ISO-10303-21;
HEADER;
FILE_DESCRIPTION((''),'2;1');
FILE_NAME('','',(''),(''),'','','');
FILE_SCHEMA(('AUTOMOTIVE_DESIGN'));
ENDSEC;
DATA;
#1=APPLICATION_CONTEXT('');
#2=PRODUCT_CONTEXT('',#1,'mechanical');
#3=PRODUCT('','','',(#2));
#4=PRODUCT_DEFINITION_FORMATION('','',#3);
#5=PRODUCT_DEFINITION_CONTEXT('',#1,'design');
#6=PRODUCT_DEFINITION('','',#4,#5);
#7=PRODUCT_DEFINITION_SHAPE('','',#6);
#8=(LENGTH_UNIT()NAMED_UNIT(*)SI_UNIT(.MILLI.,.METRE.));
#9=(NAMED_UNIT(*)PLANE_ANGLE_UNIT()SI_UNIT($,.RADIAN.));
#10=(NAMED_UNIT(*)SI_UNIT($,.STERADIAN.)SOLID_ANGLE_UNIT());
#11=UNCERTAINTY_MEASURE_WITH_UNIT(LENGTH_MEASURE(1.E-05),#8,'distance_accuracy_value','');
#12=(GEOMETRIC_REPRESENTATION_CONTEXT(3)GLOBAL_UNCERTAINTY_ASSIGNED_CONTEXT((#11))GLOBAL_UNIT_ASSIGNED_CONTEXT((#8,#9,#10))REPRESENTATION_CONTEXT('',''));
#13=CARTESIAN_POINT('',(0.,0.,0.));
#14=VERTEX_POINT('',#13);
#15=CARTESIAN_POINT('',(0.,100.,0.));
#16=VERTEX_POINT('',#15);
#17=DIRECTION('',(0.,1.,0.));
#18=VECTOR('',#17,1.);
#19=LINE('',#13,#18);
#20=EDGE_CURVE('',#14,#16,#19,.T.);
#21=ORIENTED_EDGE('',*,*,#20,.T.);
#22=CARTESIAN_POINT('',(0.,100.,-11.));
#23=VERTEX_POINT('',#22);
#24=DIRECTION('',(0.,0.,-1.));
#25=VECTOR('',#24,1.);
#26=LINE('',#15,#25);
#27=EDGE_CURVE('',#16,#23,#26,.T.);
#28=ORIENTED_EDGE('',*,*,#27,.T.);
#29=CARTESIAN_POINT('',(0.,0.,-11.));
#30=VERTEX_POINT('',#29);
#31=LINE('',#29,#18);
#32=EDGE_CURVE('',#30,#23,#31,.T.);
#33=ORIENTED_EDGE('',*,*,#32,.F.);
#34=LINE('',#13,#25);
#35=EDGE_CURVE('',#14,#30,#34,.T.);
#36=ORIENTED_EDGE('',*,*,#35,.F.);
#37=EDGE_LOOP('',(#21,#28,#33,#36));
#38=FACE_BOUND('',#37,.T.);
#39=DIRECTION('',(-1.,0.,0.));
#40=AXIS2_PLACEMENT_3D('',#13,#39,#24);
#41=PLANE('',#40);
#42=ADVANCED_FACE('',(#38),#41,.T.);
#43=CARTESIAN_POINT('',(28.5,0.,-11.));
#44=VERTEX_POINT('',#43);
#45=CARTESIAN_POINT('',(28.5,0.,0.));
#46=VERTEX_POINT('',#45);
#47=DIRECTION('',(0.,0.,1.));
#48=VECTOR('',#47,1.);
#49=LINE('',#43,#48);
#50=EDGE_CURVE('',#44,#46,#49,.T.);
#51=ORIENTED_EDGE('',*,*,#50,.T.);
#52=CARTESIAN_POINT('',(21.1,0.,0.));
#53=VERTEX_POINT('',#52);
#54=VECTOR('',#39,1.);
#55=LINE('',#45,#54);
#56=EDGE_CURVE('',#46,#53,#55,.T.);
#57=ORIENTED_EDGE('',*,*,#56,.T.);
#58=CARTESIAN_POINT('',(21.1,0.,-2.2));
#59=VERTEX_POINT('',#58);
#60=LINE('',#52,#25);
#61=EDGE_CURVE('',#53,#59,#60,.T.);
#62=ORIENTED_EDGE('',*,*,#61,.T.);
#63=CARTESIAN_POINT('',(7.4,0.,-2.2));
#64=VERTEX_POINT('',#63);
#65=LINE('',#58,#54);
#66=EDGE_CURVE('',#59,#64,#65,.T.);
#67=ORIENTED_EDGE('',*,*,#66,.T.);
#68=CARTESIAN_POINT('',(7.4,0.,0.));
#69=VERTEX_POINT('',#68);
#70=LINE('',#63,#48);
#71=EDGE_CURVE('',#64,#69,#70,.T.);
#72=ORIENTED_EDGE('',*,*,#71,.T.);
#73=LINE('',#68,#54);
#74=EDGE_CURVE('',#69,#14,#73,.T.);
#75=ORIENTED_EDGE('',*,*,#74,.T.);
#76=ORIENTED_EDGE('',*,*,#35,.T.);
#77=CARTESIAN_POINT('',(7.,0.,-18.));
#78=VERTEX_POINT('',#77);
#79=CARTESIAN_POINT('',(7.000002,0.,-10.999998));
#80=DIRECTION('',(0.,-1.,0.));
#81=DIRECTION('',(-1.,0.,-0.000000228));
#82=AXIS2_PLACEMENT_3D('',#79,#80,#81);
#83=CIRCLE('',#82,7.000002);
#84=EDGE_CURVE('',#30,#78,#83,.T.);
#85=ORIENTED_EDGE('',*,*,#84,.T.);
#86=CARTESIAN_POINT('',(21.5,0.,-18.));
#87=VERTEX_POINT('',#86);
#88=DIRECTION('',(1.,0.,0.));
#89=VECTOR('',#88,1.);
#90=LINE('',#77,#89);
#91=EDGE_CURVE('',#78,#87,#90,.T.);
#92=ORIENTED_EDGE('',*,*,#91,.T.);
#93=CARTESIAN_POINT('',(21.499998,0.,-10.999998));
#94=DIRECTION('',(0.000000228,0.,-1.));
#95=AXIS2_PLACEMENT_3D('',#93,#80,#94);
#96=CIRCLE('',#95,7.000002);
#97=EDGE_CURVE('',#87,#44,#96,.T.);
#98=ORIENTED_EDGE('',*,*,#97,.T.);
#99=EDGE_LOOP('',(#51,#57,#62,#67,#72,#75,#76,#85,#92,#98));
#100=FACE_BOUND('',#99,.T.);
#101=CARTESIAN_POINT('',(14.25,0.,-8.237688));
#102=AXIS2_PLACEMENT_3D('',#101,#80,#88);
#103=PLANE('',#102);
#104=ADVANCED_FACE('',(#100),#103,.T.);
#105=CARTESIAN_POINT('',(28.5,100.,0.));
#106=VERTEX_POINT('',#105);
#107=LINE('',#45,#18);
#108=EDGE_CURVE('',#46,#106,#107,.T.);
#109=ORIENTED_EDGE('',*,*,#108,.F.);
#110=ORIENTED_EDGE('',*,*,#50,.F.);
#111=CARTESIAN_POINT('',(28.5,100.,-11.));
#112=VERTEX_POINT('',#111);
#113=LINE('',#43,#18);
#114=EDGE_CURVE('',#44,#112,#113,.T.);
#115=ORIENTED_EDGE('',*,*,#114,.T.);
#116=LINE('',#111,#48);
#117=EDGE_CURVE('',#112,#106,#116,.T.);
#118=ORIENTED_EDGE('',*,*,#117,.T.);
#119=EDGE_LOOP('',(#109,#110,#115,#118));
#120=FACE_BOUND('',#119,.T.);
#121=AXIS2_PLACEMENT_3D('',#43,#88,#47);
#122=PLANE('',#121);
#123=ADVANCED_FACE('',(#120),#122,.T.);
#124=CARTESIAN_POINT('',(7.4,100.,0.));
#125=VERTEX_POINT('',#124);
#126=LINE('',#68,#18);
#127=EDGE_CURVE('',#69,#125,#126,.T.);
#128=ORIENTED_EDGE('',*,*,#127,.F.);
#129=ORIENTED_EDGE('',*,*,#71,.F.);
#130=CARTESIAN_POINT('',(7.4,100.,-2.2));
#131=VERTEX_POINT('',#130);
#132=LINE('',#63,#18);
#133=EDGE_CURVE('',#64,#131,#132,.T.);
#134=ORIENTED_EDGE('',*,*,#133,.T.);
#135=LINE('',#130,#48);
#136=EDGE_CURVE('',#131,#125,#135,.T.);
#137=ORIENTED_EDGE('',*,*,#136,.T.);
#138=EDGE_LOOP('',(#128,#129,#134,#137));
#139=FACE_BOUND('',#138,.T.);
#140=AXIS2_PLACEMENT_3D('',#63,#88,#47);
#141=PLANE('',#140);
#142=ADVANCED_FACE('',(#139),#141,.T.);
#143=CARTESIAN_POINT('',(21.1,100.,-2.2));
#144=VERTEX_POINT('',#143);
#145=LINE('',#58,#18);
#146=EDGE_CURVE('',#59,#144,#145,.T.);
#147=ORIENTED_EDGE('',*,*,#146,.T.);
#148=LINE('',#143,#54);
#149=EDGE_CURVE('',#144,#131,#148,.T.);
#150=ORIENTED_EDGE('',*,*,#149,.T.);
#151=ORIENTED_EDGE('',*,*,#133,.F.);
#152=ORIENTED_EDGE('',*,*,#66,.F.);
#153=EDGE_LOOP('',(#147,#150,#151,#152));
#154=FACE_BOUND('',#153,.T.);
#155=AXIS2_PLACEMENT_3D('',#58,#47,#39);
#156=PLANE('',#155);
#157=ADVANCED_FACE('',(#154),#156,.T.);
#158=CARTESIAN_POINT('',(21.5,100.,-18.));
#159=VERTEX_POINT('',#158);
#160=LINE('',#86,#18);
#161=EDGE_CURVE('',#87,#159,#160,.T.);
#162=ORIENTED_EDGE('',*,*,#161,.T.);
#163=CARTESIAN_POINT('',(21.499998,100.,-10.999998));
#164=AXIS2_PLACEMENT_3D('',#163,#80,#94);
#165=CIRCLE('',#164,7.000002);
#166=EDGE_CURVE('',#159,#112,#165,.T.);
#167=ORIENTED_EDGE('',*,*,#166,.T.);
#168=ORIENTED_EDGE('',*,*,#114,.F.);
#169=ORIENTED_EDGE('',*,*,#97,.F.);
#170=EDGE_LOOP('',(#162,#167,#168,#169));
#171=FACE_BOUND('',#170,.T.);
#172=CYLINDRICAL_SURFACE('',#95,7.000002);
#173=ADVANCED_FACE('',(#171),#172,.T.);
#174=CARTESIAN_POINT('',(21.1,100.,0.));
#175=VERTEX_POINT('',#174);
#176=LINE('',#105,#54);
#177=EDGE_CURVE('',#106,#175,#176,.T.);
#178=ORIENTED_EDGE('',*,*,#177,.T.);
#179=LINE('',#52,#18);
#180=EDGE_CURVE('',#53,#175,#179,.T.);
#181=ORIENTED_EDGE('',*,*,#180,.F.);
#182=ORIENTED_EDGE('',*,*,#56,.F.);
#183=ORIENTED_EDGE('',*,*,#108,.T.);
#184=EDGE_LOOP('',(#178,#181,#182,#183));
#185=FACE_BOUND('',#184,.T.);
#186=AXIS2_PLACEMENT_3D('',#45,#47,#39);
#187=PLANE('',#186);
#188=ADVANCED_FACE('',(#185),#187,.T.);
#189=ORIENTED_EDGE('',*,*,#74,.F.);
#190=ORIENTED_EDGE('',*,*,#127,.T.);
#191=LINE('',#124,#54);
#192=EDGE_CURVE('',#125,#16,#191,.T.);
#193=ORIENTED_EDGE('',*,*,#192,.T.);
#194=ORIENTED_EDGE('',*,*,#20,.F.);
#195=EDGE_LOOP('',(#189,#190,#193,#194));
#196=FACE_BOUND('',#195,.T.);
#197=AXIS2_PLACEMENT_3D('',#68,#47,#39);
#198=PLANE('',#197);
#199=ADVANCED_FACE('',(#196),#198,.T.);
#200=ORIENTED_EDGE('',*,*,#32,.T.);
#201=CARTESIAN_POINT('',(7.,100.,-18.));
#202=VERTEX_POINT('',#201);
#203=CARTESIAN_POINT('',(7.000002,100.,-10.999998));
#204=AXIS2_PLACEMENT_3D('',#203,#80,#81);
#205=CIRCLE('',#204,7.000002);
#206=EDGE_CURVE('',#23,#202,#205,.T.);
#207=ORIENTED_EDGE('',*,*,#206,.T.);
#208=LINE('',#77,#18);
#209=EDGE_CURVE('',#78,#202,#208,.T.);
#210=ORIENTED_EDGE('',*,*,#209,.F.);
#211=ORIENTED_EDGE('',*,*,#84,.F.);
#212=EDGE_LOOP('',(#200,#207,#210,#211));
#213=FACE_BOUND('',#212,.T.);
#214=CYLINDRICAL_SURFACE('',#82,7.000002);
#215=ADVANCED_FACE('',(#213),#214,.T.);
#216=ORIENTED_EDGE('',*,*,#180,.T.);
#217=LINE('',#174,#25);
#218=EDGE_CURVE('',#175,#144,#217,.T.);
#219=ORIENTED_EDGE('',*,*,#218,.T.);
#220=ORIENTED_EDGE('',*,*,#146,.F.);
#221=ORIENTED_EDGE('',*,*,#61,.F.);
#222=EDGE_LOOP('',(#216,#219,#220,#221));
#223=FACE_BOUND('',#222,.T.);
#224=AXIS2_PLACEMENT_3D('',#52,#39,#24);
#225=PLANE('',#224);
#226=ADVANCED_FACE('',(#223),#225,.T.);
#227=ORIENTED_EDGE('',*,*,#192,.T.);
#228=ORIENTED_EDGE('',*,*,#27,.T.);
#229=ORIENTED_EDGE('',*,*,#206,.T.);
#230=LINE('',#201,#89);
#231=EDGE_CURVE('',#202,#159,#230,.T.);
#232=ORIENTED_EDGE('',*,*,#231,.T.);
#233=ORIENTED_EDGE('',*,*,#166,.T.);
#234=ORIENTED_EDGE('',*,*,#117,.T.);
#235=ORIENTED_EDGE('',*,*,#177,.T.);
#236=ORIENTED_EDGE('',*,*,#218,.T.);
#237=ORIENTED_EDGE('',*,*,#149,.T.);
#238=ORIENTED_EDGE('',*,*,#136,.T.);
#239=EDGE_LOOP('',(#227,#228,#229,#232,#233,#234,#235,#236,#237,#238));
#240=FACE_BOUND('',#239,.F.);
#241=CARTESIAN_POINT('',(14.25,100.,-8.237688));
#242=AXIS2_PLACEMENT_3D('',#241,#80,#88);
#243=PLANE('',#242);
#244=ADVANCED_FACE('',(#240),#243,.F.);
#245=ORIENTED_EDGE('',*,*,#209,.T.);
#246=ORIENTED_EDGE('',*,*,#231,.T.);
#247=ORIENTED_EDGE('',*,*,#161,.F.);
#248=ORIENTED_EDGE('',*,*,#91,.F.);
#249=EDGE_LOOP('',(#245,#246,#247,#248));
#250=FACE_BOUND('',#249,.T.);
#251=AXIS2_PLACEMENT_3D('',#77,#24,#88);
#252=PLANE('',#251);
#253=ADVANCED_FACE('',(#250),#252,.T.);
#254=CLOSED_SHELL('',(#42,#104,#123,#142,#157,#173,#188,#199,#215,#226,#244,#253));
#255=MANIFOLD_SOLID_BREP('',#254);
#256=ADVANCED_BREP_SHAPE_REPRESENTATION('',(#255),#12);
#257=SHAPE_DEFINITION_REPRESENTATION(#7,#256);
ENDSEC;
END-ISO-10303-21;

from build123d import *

# Parameters (mm, degrees)
F1_DEPTH = 100


with BuildPart() as f1:
    # F0 (on Front) → F1 (new body)
    with BuildSketch(Plane.XZ):
        with BuildLine():
            Line((7.4, 0), (0, 0))
            Line((0, 0), (0, -11))
            ThreePointArc((0, -11), (2.050253, -15.949747), (7, -18))
            Line((7, -18), (21.5, -18))
            ThreePointArc((21.5, -18), (26.449747, -15.949747), (28.5, -11))
            Line((28.5, -11), (28.5, 0))
            Line((28.5, 0), (21.1, 0))
            Line((21.1, 0), (21.1, -2.2))
            Line((21.1, -2.2), (7.4, -2.2))
            Line((7.4, -2.2), (7.4, 0))
        make_face()
    extrude(amount=-F1_DEPTH)


solid = f1.part
